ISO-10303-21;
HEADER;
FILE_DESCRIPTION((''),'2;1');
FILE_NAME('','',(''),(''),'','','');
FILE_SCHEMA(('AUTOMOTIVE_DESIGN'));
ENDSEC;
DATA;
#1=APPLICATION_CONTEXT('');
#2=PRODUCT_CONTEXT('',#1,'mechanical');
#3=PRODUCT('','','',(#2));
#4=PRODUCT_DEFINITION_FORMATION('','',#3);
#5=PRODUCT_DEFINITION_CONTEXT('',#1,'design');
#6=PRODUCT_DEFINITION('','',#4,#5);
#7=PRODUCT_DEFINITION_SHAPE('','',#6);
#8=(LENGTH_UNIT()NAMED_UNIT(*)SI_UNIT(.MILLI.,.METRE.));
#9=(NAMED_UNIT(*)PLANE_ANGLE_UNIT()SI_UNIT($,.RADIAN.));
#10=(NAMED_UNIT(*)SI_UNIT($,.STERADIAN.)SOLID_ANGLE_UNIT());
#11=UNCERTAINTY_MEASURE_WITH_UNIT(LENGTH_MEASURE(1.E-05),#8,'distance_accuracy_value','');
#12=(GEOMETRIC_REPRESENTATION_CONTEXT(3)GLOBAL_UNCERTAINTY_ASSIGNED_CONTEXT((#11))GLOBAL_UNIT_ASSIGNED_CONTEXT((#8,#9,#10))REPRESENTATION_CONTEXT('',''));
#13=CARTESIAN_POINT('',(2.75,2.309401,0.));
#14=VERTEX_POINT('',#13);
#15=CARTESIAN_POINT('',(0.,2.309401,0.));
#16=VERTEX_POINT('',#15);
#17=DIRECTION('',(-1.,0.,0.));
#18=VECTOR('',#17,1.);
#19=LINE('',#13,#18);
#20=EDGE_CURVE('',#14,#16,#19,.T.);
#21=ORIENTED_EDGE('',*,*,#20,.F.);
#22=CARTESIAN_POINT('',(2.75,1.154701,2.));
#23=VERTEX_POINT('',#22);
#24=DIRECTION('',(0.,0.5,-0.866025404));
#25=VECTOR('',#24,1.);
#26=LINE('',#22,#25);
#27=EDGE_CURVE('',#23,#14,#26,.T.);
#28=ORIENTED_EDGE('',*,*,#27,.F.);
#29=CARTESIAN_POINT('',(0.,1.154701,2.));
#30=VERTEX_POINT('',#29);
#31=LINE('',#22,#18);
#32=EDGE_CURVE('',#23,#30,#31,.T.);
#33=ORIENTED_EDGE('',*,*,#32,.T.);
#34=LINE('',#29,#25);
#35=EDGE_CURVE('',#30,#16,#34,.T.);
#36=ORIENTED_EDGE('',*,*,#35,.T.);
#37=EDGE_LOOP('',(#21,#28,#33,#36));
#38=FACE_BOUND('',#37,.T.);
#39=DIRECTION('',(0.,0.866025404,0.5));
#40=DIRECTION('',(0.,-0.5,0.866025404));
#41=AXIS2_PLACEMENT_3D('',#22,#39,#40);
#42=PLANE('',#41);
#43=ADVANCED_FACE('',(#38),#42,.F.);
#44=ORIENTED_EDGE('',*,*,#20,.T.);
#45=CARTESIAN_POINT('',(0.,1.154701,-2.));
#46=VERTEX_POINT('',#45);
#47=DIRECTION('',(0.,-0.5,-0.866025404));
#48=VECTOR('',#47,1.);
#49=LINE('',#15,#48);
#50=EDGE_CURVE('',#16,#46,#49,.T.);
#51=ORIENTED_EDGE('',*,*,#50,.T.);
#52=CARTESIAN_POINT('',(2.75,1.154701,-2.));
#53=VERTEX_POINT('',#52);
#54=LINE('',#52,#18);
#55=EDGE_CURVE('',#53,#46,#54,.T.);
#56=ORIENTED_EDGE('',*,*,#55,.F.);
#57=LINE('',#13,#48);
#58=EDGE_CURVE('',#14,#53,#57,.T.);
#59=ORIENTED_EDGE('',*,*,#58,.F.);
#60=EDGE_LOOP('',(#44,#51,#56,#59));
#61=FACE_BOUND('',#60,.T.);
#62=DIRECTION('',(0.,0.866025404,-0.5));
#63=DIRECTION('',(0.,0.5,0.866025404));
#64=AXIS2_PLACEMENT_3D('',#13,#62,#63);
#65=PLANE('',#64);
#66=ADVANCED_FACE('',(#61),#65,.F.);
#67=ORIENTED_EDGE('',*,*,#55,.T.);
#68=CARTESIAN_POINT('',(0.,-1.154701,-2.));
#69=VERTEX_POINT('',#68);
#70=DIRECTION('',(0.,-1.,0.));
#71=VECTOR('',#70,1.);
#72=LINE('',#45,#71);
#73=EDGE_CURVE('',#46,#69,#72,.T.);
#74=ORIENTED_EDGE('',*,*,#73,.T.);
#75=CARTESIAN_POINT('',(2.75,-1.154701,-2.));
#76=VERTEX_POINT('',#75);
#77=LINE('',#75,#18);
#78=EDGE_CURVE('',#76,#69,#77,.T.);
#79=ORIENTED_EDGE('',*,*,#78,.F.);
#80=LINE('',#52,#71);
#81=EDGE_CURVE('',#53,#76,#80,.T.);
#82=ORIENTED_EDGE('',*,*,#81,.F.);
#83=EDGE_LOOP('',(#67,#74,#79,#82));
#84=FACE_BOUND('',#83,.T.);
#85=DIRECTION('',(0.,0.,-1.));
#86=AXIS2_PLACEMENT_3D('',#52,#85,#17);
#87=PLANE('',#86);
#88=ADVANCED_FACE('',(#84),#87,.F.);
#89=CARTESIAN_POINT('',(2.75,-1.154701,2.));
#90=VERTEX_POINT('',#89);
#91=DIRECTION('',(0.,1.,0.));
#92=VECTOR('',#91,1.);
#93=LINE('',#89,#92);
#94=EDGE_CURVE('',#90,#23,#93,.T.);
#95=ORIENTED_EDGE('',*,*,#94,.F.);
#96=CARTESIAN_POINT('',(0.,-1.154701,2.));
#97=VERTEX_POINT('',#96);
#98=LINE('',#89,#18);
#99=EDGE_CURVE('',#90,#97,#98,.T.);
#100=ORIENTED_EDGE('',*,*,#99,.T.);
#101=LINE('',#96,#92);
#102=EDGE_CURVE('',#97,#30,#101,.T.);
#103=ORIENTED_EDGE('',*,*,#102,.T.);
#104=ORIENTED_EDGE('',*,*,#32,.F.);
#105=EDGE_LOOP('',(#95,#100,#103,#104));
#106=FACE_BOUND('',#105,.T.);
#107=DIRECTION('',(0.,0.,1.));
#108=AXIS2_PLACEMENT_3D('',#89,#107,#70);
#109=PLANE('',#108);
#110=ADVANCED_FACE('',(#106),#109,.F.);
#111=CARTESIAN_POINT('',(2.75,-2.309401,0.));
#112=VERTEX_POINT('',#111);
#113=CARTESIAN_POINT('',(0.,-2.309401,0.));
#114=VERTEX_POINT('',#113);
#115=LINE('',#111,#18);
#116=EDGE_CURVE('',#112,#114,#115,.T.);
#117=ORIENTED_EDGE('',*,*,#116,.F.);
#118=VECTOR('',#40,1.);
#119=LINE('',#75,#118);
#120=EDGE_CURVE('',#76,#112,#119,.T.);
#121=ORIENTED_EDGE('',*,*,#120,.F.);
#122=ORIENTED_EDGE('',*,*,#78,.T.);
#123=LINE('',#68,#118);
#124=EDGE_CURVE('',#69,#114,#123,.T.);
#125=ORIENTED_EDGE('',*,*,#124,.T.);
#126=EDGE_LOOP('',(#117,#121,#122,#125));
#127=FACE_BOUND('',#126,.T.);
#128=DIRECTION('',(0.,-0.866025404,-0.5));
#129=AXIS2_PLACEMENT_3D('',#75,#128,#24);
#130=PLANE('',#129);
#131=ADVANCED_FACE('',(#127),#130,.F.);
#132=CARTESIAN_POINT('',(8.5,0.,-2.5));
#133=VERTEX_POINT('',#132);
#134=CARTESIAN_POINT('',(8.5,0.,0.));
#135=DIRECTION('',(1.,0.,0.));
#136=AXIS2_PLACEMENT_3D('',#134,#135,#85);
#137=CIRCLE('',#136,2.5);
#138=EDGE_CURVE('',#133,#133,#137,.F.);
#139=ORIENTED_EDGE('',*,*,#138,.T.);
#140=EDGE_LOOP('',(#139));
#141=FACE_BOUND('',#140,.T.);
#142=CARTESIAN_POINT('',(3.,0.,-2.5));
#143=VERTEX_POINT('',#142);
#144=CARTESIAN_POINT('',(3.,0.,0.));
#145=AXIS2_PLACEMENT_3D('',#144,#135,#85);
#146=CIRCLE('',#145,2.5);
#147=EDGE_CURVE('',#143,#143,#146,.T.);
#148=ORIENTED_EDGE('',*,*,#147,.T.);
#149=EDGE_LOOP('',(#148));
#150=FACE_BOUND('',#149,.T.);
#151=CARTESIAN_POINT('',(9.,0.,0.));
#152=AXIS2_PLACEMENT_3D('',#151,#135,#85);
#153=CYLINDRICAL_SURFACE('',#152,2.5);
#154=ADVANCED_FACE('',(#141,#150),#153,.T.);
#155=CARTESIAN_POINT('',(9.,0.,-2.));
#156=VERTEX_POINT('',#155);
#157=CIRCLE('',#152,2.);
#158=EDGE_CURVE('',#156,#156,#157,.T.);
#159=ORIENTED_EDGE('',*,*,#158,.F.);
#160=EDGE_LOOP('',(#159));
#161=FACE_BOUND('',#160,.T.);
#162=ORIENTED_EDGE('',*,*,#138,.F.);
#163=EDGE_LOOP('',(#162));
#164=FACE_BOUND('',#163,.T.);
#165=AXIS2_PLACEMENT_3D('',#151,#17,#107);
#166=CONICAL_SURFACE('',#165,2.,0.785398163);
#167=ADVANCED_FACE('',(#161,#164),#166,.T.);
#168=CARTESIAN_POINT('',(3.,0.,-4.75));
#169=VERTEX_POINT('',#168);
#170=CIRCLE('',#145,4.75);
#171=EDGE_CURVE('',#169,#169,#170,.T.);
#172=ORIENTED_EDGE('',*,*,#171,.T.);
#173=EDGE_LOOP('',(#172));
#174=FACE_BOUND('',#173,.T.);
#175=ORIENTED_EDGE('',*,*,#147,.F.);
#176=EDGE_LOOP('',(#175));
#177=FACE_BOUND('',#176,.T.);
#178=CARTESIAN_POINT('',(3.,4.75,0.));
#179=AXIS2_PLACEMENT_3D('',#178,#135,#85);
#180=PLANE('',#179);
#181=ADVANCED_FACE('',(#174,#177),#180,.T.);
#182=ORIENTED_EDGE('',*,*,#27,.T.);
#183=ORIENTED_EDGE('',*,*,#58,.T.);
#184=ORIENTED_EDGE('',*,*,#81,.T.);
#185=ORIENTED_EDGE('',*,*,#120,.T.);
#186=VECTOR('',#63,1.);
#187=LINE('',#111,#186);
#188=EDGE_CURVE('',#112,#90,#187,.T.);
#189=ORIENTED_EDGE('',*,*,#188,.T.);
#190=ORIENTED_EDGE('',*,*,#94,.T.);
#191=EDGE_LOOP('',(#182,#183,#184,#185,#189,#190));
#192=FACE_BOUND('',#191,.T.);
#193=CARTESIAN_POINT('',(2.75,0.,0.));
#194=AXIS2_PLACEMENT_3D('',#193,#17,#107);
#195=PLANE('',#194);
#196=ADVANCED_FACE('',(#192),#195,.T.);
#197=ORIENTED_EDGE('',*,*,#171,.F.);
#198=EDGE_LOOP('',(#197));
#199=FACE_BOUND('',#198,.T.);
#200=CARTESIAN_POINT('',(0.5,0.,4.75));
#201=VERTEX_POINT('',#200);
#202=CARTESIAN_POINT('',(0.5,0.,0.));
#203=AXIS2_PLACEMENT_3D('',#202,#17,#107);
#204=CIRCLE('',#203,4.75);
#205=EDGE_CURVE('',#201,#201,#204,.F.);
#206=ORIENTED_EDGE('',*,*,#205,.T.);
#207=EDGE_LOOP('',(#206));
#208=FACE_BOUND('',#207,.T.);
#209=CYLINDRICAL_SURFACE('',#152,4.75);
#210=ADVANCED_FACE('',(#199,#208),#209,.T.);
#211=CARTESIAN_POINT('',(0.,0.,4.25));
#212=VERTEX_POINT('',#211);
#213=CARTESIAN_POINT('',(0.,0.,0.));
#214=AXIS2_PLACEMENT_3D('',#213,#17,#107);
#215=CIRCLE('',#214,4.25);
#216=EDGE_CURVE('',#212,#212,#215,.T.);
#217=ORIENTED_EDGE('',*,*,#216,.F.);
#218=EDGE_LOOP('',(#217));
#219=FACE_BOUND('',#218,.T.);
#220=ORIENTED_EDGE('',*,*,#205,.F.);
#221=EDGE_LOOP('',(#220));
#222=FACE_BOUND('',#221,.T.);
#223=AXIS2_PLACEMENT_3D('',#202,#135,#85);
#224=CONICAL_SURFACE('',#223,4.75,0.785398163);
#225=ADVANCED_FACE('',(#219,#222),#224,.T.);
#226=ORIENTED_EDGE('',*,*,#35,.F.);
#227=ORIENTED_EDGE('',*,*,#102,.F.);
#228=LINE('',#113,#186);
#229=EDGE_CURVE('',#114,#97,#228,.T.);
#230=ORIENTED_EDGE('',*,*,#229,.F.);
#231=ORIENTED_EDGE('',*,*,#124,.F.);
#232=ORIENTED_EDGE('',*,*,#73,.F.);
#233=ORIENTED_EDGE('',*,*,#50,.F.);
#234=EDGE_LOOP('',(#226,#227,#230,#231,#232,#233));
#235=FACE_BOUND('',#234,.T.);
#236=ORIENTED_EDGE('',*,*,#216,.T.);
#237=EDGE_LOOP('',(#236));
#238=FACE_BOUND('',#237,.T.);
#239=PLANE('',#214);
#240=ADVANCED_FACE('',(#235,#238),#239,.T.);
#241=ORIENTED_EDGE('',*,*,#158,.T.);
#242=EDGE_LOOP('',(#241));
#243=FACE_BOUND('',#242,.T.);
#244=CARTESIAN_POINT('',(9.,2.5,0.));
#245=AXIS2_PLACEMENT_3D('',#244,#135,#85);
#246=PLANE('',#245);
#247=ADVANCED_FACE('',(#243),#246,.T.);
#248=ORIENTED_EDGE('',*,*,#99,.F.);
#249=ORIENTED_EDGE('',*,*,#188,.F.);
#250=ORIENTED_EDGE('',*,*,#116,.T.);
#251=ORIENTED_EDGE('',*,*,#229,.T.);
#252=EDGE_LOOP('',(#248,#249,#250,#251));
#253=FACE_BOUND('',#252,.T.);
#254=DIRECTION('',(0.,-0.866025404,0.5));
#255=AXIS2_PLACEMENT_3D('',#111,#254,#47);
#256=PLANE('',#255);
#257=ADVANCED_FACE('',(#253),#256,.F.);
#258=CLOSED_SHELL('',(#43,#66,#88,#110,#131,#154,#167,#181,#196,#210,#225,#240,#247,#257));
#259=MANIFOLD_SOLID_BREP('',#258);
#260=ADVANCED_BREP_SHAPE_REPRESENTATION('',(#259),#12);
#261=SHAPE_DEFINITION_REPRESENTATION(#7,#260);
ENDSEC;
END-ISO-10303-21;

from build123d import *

# Parameters (mm, degrees)
CUT_EXTRUDE1_DEPTH = 2.75
CHAMFER1_SIZE      = 0.5
CHAMFER2_SIZE      = 0.5


with BuildPart() as part:
    # Sketch1 → Revolve1 (revolve)
    with BuildSketch(Plane.XY, mode=Mode.PRIVATE) as revolve1_sk:
        Polygon((0, 0), (0, 4.75), (3, 4.75), (3, 2.5), (9, 2.5), (9, 0), align=None)
    revolve(revolve1_sk.sketch.rotate(Axis((9, 0, 0), (-1, 0, 0)), 90), axis=Axis((9, 0, 0), (-1, 0, 0)))

    # Sketch2 → Cut-Extrude1 (cut)
    with BuildSketch(Plane.ZY):
        Polygon((0, 2.309401077), (-2, 1.154700538), (-2, -1.154700538), (0, -2.309401077), (2, -1.154700538), (2, 1.154700538), align=None)
    extrude(amount=-CUT_EXTRUDE1_DEPTH, mode=Mode.SUBTRACT)

    # Chamfer1
    chamfer1_edges = [part.edges().sort_by_distance(p)[0] for p in [
        (9, 0, 2.5),
    ]]
    chamfer(chamfer1_edges, length=CHAMFER1_SIZE)

    # Chamfer2
    chamfer2_edges = [part.edges().sort_by_distance(p)[0] for p in [
        (0, 0, 4.75),
    ]]
    chamfer(chamfer2_edges, length=CHAMFER2_SIZE)


solid = part.part
